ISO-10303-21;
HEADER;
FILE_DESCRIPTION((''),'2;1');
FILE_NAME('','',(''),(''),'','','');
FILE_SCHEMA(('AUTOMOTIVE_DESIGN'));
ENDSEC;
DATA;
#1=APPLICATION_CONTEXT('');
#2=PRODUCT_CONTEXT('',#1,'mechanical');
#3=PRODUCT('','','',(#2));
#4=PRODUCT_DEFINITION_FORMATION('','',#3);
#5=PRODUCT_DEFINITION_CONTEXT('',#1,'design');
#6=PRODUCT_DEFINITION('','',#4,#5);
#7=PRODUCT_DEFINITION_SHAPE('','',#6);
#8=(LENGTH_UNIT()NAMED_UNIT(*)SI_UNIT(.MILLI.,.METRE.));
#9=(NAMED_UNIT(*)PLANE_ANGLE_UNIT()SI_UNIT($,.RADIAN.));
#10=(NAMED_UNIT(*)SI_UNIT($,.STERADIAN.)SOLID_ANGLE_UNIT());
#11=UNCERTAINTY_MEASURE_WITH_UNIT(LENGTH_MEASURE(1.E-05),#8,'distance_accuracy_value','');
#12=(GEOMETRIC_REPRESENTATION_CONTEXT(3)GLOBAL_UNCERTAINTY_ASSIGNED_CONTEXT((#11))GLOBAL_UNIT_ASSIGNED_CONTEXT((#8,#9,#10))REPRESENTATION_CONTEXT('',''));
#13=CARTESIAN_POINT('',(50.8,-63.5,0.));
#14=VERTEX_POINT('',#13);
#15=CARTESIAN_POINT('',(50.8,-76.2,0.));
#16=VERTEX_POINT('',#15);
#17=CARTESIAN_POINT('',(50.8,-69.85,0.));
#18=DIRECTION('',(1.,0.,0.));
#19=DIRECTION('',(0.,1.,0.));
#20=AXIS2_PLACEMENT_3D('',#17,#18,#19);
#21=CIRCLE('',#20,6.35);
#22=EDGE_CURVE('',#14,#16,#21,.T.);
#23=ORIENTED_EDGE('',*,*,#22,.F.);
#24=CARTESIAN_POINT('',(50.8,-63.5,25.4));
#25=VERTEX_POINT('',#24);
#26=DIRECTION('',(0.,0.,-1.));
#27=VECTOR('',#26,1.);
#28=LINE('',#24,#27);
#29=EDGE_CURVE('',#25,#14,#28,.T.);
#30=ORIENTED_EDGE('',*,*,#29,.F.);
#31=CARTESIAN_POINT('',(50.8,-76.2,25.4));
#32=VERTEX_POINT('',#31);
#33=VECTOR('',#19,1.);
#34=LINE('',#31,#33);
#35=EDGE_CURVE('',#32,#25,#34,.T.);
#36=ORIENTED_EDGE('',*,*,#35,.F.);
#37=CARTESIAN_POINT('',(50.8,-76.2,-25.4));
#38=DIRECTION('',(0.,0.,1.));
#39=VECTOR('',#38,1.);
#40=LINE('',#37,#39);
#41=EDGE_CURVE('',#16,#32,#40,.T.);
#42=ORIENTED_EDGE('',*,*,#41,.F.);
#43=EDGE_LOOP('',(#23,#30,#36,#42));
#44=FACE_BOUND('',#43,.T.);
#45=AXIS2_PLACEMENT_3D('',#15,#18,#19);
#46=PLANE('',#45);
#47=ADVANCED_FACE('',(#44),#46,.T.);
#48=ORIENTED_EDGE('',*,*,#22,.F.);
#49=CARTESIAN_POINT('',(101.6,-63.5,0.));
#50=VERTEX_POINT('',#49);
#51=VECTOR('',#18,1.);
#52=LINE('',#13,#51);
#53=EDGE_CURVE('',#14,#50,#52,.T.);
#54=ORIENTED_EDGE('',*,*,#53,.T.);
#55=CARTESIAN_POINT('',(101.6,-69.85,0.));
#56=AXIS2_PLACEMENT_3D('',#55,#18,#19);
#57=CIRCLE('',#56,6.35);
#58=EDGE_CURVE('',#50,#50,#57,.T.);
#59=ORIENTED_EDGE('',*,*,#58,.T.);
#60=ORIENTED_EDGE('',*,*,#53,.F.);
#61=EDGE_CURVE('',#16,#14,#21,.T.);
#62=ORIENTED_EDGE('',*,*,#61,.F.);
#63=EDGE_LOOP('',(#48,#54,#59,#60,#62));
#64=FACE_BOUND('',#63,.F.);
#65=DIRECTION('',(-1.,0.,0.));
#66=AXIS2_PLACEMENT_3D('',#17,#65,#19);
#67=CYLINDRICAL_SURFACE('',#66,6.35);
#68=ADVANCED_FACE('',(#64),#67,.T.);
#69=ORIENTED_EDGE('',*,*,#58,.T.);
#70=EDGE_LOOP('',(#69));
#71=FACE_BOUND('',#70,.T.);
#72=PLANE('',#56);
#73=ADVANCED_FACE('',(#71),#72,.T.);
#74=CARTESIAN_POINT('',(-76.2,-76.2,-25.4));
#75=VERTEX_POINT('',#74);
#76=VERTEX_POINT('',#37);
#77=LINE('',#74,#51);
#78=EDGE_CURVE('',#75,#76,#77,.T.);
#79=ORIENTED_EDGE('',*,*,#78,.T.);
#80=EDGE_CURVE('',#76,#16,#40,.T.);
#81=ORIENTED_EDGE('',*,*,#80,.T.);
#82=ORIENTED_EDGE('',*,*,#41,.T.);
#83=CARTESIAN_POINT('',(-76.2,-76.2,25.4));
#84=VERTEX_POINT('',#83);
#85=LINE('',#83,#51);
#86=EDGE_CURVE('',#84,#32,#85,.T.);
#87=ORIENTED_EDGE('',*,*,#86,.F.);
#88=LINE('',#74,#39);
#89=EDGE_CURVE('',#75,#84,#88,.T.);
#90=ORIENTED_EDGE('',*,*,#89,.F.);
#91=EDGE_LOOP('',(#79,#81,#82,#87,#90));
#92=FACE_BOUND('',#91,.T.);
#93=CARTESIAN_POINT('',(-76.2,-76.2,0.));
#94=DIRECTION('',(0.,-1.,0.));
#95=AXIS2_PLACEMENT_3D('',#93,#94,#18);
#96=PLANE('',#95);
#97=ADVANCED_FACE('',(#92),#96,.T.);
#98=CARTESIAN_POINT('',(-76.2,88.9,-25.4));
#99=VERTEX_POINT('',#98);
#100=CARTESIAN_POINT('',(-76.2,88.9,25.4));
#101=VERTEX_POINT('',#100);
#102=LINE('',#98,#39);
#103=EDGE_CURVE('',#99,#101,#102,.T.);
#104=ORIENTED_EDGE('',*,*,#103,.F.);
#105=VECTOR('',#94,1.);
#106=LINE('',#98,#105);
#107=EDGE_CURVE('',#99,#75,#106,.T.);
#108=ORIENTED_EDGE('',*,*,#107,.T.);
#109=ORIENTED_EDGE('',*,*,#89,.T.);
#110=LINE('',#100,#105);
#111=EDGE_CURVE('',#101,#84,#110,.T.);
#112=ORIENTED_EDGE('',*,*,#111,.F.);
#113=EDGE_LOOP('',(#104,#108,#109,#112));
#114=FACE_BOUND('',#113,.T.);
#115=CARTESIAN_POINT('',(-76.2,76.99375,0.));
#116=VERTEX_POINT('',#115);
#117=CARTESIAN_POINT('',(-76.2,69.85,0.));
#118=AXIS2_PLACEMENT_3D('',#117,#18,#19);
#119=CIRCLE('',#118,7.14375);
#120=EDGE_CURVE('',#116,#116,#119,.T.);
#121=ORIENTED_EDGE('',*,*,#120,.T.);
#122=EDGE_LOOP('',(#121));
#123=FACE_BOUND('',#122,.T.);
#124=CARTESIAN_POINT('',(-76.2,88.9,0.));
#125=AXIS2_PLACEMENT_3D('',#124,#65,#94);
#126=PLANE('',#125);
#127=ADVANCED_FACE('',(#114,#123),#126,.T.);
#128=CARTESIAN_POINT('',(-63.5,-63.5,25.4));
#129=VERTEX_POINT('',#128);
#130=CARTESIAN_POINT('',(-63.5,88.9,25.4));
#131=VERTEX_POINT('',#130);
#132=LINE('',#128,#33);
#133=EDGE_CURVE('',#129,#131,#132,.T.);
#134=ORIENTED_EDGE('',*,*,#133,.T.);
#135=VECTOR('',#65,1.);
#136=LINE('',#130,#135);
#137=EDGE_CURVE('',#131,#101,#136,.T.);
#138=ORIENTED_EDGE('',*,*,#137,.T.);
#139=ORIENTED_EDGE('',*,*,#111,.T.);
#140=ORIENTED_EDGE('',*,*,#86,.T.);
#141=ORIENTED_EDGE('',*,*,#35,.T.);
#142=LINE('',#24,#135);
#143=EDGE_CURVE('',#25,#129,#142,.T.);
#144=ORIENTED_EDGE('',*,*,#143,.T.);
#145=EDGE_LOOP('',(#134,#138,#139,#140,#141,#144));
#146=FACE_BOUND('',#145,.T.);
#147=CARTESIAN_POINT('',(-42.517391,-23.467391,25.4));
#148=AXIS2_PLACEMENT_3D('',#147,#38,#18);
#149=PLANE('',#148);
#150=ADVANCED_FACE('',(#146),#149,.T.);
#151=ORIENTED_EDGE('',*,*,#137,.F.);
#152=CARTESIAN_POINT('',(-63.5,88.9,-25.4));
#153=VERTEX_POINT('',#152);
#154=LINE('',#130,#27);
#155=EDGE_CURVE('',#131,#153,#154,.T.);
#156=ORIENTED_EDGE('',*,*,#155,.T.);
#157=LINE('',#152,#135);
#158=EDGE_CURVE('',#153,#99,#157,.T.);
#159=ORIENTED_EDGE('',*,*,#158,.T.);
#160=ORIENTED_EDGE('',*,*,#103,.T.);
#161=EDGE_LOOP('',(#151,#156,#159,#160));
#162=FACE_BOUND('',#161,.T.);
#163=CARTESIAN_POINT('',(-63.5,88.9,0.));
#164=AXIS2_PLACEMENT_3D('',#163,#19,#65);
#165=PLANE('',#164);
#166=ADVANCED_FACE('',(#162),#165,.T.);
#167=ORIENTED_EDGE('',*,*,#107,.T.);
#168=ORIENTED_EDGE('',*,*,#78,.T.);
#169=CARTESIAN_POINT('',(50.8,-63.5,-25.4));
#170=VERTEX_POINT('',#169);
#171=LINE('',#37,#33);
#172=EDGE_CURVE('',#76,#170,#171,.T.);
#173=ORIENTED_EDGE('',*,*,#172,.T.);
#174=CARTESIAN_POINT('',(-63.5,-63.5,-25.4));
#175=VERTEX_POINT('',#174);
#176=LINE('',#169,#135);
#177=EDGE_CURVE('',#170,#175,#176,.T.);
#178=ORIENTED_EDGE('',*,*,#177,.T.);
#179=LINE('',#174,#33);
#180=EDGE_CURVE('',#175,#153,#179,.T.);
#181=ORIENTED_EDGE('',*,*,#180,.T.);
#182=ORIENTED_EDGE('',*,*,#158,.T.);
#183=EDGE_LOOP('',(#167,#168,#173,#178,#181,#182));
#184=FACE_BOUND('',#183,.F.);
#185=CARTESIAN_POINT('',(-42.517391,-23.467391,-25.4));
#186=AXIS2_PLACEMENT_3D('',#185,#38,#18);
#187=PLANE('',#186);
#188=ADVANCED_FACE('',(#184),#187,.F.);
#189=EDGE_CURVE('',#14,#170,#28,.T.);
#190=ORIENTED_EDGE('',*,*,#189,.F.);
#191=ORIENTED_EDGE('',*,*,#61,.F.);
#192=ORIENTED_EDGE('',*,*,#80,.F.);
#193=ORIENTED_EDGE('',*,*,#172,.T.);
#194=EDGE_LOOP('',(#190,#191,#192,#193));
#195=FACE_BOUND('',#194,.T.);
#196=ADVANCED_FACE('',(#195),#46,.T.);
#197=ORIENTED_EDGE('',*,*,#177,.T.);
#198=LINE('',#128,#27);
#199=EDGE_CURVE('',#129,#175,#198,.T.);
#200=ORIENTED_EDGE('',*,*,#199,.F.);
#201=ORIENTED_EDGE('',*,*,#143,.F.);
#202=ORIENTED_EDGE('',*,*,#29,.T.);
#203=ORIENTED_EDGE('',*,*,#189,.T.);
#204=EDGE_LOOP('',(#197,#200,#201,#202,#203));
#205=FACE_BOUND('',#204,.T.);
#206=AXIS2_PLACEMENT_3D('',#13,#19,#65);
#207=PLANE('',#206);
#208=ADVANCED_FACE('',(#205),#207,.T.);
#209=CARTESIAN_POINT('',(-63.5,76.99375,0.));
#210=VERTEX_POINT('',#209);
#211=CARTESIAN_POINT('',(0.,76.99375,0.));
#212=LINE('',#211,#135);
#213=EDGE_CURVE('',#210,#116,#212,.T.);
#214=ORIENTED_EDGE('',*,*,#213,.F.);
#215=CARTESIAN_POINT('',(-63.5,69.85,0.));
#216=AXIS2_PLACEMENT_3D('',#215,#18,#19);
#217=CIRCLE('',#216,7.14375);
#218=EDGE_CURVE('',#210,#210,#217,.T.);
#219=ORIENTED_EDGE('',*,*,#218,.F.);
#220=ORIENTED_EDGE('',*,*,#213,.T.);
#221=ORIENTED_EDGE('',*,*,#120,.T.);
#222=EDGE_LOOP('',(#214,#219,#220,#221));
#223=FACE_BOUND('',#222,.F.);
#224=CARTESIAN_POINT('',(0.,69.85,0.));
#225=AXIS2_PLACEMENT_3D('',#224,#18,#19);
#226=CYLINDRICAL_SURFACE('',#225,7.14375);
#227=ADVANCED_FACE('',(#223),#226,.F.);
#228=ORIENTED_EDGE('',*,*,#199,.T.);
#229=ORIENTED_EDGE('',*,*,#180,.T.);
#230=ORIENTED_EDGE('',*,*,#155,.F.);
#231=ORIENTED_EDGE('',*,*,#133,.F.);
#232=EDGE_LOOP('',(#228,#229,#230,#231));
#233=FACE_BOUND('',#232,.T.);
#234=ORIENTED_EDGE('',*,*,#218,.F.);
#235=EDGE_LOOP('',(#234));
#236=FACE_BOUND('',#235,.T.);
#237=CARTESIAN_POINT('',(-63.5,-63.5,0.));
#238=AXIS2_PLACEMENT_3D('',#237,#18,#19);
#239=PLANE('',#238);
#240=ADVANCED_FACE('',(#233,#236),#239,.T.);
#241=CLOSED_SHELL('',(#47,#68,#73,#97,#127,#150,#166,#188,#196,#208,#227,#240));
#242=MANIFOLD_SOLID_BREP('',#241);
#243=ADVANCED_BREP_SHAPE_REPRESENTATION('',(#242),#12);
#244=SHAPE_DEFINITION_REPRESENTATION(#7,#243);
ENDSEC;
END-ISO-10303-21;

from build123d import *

# Parameters (mm, degrees)
F1_DEPTH = 25.4
F2_R     = 7.14375
F3_DEPTH = 76.201
F5_DEPTH = 50.8


with BuildPart() as f1:
    # F0 (on Top) → F1 (new body, symmetric)
    with BuildSketch(Plane.XY):
        Polygon((-63.5, 88.9), (-76.2, 88.9), (-76.2, -76.2), (50.8, -76.2), (50.8, -63.5), (-63.5, -63.5), align=None)
    extrude(amount=F1_DEPTH, both=True)

    # F2 (on Right) → F3 (cut, through all)
    with BuildSketch(Plane.YZ):
        with Locations((69.85, 0)):
            Circle(F2_R)
    extrude(amount=-F3_DEPTH, mode=Mode.SUBTRACT)

    # F4 (on face) → F5 (join)
    with BuildSketch(Plane.YZ.offset(50.8)):
        with BuildLine():
            ThreePointArc((-76.2, -2.08e-08), (-69.8499999896, -6.35), (-63.5, 0))
            ThreePointArc((-63.5, 0), (-69.8500000104, 6.35), (-76.2, -2.08e-08))
        make_face()
    extrude(amount=F5_DEPTH)


solid = f1.part
